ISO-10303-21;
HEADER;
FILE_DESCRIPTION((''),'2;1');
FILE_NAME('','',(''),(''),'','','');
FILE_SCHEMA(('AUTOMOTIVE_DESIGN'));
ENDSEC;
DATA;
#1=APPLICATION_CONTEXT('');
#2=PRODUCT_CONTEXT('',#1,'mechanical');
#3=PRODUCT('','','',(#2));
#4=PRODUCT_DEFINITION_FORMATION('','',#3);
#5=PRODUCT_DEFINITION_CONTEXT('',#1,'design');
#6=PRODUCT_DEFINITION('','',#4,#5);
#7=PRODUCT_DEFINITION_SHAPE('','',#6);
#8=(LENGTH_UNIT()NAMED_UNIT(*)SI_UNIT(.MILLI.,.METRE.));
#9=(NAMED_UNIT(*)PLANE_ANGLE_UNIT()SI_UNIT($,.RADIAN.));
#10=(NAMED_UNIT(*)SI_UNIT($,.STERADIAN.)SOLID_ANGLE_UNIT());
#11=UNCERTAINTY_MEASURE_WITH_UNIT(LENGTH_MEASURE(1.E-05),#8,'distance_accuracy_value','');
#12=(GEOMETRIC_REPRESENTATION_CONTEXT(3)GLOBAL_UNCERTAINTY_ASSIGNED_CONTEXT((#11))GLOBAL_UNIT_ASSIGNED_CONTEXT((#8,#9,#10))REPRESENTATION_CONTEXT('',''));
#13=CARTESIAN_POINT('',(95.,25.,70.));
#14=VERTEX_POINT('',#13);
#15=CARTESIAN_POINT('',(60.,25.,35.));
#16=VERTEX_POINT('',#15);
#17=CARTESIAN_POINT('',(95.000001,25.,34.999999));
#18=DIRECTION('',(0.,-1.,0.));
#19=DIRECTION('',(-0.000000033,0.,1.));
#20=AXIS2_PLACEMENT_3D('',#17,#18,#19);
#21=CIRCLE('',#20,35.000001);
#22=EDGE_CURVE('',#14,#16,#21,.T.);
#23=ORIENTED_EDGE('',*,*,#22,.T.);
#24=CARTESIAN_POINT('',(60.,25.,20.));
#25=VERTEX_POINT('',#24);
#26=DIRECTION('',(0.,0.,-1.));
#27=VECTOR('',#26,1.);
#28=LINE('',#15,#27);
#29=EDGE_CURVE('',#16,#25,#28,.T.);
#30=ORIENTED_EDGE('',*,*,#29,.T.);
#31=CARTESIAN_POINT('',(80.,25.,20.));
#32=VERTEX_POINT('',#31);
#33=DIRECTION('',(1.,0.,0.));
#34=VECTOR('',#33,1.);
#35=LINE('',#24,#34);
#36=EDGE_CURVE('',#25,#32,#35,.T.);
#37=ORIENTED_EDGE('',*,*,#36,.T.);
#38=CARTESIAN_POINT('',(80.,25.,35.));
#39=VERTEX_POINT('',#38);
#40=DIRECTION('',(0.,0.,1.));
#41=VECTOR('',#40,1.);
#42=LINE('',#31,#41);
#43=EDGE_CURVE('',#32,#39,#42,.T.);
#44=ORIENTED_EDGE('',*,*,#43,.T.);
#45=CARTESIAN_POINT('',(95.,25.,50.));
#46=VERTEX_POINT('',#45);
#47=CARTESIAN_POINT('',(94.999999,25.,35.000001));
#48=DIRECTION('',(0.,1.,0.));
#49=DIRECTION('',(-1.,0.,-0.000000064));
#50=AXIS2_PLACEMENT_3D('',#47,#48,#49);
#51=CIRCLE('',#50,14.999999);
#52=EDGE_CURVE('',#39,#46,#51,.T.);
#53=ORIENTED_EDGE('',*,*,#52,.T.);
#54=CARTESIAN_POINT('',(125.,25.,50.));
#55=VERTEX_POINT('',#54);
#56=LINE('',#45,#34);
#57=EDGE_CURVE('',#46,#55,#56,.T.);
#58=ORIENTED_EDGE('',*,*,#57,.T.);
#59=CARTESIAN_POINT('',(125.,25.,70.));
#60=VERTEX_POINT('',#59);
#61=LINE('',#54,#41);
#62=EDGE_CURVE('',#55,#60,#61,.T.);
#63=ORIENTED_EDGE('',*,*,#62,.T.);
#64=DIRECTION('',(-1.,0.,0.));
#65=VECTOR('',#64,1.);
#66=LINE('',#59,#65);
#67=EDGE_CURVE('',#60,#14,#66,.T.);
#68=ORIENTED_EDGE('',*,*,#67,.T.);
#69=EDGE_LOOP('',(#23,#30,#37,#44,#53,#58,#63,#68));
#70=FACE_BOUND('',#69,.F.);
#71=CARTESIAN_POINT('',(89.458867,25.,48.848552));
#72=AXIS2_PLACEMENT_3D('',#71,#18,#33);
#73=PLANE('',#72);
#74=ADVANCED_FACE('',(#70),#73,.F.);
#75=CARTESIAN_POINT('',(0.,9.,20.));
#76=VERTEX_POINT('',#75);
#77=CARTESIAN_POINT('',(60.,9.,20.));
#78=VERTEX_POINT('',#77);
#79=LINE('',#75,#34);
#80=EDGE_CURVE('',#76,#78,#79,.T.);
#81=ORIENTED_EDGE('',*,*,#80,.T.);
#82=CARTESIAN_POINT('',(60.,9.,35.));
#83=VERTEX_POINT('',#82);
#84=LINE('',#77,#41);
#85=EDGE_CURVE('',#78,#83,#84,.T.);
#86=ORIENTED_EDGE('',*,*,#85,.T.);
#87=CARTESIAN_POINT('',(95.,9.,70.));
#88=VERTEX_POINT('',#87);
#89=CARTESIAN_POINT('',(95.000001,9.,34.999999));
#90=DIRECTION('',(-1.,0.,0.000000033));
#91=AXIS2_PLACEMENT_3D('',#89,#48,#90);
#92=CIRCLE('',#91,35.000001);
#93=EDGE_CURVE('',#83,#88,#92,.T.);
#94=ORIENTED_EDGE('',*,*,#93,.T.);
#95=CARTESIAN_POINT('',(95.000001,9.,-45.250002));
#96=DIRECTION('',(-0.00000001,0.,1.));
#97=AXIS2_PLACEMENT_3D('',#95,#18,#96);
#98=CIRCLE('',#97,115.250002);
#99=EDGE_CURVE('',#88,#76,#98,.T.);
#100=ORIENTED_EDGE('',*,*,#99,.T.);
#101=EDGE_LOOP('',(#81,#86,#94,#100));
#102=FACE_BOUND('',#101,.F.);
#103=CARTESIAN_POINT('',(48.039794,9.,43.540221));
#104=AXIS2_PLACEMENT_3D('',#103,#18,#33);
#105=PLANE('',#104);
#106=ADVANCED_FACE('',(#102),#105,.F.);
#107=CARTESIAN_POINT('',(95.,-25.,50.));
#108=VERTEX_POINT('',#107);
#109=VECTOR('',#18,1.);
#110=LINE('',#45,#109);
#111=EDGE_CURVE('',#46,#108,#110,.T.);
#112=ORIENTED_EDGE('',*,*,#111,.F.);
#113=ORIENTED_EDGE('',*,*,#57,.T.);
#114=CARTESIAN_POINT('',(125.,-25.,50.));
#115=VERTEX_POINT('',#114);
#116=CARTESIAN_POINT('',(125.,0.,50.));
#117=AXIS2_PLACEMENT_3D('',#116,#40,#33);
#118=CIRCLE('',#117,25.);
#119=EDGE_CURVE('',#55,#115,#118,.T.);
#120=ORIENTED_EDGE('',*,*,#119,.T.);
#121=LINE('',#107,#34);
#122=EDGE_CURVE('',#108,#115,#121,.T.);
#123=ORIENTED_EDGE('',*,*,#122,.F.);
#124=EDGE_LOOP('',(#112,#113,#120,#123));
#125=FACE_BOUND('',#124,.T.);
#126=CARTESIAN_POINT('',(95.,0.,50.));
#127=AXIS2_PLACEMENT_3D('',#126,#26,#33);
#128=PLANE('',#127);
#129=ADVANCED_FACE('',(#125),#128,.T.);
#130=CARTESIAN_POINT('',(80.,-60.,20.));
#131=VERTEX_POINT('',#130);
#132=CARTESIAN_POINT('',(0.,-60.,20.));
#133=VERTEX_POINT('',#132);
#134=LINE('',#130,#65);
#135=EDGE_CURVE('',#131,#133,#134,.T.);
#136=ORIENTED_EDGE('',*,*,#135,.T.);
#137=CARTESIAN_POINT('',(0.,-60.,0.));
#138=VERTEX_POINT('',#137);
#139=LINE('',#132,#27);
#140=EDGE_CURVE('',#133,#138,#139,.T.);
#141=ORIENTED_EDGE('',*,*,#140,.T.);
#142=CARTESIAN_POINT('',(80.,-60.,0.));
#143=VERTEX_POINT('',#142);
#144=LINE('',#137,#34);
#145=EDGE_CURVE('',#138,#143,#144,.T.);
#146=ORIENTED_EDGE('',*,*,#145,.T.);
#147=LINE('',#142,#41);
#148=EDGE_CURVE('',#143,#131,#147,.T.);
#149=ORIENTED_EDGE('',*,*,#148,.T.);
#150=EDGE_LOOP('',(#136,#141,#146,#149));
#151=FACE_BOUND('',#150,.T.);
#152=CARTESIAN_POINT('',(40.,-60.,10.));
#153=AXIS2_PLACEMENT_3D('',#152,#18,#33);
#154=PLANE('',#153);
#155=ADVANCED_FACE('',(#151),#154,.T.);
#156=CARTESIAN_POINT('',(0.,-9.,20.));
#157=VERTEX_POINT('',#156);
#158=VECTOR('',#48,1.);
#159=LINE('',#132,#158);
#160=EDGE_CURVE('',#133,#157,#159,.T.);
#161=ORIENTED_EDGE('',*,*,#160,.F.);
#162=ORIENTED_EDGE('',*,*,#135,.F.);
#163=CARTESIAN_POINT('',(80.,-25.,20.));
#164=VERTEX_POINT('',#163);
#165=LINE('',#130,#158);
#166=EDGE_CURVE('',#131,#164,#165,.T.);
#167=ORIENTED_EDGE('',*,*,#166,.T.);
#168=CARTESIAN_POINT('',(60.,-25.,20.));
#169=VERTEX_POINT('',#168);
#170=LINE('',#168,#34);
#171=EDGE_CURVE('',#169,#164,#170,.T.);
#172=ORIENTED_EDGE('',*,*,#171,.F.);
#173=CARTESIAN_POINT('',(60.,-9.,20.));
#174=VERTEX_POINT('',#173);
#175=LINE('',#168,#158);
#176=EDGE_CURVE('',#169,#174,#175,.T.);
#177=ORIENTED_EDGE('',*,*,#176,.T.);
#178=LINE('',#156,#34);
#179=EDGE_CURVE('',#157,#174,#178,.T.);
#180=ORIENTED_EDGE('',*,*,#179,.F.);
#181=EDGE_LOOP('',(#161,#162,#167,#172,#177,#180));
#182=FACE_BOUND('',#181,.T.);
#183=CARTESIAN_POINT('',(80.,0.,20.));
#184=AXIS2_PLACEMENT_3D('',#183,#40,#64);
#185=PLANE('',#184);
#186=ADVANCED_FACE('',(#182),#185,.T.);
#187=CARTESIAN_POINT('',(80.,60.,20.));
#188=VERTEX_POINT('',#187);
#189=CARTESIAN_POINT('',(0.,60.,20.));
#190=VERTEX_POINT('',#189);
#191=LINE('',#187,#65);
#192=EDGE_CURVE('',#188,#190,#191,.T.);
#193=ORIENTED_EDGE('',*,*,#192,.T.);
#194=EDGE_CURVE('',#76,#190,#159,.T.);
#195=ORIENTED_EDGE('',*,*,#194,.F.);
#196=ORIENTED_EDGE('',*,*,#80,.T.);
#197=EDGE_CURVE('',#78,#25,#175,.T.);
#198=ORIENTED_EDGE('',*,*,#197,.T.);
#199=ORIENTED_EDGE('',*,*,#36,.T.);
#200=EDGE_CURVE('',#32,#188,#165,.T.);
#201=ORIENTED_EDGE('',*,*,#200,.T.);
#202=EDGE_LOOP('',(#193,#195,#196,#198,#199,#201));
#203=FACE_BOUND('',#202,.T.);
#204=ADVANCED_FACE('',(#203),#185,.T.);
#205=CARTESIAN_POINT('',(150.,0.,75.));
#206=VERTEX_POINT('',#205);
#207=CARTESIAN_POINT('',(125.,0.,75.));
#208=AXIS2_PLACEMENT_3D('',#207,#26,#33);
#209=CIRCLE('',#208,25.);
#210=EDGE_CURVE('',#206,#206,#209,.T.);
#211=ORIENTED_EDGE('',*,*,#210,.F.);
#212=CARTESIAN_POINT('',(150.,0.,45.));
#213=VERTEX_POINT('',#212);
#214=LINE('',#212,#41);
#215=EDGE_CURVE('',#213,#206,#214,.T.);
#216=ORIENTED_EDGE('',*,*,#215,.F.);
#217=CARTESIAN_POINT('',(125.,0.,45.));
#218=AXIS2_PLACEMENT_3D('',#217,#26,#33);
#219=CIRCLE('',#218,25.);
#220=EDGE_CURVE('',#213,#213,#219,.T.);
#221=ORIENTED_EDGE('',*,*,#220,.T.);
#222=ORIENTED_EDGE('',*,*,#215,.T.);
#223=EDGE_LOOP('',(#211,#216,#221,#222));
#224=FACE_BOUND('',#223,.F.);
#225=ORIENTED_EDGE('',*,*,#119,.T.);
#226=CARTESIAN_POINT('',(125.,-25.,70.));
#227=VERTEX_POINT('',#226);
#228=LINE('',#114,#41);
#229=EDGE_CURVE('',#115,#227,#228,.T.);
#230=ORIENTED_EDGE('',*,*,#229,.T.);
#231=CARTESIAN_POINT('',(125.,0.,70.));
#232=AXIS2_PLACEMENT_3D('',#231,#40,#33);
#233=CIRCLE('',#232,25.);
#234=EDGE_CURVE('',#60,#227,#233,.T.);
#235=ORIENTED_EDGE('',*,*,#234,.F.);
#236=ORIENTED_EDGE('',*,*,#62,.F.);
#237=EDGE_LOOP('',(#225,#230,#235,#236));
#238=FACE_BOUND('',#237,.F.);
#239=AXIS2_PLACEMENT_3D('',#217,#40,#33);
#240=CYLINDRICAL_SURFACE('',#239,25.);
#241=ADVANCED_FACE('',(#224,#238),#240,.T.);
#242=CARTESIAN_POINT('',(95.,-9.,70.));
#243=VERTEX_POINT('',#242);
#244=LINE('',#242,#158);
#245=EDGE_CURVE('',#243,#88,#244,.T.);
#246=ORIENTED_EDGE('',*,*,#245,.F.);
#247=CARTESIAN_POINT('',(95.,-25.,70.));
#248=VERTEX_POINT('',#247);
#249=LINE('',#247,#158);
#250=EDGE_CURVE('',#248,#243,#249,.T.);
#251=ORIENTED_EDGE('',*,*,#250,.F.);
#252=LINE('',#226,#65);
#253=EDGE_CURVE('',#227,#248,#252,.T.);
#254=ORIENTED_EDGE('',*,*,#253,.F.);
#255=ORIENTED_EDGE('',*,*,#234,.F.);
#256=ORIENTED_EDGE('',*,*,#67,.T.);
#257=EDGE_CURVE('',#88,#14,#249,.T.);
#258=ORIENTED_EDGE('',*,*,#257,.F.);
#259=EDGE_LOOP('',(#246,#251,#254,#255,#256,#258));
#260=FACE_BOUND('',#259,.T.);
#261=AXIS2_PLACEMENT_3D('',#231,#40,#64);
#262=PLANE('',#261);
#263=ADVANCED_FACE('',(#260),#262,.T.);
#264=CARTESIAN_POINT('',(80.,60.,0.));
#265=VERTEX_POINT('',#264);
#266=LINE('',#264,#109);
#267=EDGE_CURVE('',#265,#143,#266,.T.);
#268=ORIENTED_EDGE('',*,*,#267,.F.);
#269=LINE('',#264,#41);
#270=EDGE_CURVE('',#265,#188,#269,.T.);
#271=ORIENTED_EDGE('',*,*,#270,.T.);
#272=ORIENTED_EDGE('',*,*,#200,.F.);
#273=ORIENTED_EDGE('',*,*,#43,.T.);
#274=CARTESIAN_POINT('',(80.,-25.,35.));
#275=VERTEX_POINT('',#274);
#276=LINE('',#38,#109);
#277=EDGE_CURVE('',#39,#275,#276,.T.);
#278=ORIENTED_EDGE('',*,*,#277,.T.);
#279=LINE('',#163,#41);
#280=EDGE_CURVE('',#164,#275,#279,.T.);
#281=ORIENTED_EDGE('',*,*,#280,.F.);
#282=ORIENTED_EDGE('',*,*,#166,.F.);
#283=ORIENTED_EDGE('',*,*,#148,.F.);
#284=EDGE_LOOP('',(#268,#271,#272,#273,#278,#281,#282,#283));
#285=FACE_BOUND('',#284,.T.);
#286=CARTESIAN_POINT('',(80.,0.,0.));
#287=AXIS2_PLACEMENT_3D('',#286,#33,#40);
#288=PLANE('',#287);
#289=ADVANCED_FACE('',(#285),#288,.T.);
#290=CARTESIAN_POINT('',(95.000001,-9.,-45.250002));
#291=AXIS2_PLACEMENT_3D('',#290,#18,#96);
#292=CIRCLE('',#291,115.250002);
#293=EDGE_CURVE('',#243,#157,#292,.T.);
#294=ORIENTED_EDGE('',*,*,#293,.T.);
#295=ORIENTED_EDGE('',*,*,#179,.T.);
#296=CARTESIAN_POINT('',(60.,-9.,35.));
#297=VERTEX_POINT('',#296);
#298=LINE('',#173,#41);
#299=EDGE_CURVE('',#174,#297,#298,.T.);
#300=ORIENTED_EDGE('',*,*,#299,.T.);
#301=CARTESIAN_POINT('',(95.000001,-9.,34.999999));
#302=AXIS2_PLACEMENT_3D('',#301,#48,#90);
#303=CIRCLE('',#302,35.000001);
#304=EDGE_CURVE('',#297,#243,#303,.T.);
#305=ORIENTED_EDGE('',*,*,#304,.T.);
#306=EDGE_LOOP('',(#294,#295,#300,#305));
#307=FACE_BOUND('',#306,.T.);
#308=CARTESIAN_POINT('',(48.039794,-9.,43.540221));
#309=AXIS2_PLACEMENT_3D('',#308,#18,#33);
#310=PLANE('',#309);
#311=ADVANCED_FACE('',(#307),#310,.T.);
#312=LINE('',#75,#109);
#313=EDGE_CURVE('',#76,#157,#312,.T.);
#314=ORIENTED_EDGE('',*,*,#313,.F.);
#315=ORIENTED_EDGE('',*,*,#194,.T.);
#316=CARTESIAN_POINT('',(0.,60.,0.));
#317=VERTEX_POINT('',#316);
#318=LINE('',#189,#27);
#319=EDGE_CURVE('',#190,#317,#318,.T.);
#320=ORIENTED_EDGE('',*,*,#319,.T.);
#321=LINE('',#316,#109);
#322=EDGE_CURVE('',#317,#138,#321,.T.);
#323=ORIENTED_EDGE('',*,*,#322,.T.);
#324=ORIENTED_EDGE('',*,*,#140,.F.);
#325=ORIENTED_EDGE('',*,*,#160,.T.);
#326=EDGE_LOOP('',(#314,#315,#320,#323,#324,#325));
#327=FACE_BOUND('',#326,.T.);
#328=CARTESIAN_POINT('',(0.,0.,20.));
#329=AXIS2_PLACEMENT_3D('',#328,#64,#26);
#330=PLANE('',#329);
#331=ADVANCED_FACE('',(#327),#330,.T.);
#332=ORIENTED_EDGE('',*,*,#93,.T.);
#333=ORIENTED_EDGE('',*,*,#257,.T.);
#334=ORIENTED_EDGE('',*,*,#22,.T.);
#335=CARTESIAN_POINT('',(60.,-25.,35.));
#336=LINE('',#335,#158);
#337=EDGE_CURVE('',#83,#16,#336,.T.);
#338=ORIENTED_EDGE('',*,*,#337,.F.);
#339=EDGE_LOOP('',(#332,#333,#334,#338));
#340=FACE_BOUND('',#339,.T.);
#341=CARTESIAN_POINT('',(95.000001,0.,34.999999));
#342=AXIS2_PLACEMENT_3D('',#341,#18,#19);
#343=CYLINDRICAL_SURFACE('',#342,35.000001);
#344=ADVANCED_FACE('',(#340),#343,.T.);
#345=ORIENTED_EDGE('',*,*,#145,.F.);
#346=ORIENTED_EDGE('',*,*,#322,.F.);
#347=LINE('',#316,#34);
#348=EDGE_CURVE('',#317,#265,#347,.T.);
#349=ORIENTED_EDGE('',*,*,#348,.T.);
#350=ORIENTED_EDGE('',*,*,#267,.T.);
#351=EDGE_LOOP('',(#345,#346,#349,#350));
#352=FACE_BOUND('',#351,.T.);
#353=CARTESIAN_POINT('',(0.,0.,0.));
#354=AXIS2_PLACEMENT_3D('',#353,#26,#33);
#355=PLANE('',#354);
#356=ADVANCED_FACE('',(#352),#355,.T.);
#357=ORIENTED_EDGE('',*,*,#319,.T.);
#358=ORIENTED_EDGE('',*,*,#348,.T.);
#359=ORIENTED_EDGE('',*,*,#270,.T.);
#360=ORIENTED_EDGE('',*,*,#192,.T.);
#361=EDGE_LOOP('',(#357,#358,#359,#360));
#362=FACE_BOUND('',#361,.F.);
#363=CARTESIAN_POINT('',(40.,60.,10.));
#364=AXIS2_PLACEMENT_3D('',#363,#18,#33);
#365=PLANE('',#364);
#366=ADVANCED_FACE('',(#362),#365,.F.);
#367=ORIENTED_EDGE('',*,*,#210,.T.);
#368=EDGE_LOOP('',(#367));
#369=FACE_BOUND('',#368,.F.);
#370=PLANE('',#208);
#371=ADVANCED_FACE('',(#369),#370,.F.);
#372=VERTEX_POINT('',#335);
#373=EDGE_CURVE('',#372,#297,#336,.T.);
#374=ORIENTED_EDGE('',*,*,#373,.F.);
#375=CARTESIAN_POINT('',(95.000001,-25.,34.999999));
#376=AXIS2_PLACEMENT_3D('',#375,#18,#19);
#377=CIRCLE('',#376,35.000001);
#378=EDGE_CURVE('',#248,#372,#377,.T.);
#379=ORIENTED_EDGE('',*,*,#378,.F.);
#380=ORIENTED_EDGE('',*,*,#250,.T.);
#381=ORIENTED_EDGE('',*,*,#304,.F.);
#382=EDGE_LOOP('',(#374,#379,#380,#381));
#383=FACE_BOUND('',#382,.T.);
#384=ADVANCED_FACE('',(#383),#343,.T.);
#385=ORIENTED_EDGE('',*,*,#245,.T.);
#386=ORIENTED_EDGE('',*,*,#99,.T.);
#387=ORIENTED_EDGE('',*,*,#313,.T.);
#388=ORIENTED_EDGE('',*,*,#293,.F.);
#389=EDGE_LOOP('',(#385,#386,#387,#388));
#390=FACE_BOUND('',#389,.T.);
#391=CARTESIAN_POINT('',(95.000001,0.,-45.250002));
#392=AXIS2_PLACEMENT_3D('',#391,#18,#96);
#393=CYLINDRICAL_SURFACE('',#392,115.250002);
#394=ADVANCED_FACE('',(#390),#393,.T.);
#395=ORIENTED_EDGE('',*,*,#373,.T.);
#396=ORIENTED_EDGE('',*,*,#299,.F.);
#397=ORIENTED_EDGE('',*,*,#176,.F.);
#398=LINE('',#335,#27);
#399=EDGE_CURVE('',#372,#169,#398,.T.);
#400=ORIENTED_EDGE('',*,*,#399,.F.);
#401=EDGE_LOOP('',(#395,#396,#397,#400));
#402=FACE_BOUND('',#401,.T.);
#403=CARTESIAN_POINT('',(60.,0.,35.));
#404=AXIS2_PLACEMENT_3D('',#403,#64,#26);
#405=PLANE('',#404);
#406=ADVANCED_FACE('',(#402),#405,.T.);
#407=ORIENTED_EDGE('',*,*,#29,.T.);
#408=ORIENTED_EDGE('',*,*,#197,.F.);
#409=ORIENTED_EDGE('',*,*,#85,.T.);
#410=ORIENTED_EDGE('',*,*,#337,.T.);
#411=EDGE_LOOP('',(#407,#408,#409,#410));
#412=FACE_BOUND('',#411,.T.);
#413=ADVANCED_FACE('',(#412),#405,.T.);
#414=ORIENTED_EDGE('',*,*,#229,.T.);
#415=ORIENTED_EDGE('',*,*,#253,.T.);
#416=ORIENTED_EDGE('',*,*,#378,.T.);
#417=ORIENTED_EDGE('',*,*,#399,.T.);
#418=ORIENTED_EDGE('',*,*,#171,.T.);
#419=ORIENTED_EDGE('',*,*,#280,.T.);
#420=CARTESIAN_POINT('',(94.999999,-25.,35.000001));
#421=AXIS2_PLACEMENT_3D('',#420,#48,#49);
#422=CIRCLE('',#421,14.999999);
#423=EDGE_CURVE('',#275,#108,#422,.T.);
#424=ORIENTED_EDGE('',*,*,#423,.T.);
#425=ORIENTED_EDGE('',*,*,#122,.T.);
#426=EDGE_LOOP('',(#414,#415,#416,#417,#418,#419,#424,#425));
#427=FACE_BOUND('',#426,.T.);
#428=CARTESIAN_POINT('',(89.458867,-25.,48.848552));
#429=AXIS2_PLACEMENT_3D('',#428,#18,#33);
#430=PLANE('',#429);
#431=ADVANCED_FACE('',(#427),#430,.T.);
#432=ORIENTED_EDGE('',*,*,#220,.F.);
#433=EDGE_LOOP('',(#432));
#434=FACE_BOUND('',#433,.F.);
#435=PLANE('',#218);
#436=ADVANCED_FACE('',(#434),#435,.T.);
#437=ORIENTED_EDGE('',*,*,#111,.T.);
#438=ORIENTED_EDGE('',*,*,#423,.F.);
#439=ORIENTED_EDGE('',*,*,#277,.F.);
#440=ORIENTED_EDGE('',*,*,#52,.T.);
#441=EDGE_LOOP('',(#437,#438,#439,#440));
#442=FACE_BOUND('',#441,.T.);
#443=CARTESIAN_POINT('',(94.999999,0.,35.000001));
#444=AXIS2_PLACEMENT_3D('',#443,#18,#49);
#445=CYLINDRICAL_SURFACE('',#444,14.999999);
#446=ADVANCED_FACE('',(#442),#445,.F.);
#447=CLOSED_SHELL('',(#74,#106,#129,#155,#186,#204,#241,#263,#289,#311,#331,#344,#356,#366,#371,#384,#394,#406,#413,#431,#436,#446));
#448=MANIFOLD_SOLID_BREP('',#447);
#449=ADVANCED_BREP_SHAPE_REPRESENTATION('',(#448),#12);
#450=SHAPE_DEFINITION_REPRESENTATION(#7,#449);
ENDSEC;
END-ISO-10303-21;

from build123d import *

# Parameters (mm, degrees)
F1_DEPTH = 60
F2_DEPTH = 25
F3_DEPTH = 9


with BuildPart() as f1:
    # F0 (on Front) → F1 (new body, symmetric)
    with BuildSketch(Plane.XZ):
        Polygon((0, 20), (0, 0), (80, 0), (80, 20), (60, 20), align=None)
    extrude(amount=F1_DEPTH, both=True)

    # F0 (on Front) → F2 (join, symmetric)
    with BuildSketch(Plane.XZ):
        with BuildLine():
            Line((60, 20), (80, 20))
            Line((80, 20), (80, 35))
            ThreePointArc((80, 35), (84.393398, 45.606602), (95, 50))
            Line((95, 50), (100, 50))
            Line((100, 50), (125, 50))
            Line((125, 50), (125, 70))
            Line((125, 70), (100, 70))
            Line((100, 70), (95, 70))
            ThreePointArc((95, 70), (70.251263, 59.748737), (60, 35))
            Line((60, 35), (60, 20))
        make_face()
    extrude(amount=F2_DEPTH, both=True)

    # F0 (on Front) → F3 (join, symmetric)
    with BuildSketch(Plane.XZ):
        with BuildLine():
            ThreePointArc((95, 70), (41.322724, 56.736825), (0, 20))
            Line((0, 20), (60, 20))
            Line((60, 20), (60, 35))
            ThreePointArc((60, 35), (70.251263, 59.748737), (95, 70))
        make_face()
    extrude(amount=F3_DEPTH, both=True)

    # F0 (on Front) → F4 (revolve)
    with BuildSketch(Plane.XZ):
        Polygon((125, 75), (125, 70), (125, 50), (125, 45), (150, 45), (150, 75), align=None)
    revolve(axis=Axis((125, 0, 60), (0, 0, -1)))


solid = f1.part
